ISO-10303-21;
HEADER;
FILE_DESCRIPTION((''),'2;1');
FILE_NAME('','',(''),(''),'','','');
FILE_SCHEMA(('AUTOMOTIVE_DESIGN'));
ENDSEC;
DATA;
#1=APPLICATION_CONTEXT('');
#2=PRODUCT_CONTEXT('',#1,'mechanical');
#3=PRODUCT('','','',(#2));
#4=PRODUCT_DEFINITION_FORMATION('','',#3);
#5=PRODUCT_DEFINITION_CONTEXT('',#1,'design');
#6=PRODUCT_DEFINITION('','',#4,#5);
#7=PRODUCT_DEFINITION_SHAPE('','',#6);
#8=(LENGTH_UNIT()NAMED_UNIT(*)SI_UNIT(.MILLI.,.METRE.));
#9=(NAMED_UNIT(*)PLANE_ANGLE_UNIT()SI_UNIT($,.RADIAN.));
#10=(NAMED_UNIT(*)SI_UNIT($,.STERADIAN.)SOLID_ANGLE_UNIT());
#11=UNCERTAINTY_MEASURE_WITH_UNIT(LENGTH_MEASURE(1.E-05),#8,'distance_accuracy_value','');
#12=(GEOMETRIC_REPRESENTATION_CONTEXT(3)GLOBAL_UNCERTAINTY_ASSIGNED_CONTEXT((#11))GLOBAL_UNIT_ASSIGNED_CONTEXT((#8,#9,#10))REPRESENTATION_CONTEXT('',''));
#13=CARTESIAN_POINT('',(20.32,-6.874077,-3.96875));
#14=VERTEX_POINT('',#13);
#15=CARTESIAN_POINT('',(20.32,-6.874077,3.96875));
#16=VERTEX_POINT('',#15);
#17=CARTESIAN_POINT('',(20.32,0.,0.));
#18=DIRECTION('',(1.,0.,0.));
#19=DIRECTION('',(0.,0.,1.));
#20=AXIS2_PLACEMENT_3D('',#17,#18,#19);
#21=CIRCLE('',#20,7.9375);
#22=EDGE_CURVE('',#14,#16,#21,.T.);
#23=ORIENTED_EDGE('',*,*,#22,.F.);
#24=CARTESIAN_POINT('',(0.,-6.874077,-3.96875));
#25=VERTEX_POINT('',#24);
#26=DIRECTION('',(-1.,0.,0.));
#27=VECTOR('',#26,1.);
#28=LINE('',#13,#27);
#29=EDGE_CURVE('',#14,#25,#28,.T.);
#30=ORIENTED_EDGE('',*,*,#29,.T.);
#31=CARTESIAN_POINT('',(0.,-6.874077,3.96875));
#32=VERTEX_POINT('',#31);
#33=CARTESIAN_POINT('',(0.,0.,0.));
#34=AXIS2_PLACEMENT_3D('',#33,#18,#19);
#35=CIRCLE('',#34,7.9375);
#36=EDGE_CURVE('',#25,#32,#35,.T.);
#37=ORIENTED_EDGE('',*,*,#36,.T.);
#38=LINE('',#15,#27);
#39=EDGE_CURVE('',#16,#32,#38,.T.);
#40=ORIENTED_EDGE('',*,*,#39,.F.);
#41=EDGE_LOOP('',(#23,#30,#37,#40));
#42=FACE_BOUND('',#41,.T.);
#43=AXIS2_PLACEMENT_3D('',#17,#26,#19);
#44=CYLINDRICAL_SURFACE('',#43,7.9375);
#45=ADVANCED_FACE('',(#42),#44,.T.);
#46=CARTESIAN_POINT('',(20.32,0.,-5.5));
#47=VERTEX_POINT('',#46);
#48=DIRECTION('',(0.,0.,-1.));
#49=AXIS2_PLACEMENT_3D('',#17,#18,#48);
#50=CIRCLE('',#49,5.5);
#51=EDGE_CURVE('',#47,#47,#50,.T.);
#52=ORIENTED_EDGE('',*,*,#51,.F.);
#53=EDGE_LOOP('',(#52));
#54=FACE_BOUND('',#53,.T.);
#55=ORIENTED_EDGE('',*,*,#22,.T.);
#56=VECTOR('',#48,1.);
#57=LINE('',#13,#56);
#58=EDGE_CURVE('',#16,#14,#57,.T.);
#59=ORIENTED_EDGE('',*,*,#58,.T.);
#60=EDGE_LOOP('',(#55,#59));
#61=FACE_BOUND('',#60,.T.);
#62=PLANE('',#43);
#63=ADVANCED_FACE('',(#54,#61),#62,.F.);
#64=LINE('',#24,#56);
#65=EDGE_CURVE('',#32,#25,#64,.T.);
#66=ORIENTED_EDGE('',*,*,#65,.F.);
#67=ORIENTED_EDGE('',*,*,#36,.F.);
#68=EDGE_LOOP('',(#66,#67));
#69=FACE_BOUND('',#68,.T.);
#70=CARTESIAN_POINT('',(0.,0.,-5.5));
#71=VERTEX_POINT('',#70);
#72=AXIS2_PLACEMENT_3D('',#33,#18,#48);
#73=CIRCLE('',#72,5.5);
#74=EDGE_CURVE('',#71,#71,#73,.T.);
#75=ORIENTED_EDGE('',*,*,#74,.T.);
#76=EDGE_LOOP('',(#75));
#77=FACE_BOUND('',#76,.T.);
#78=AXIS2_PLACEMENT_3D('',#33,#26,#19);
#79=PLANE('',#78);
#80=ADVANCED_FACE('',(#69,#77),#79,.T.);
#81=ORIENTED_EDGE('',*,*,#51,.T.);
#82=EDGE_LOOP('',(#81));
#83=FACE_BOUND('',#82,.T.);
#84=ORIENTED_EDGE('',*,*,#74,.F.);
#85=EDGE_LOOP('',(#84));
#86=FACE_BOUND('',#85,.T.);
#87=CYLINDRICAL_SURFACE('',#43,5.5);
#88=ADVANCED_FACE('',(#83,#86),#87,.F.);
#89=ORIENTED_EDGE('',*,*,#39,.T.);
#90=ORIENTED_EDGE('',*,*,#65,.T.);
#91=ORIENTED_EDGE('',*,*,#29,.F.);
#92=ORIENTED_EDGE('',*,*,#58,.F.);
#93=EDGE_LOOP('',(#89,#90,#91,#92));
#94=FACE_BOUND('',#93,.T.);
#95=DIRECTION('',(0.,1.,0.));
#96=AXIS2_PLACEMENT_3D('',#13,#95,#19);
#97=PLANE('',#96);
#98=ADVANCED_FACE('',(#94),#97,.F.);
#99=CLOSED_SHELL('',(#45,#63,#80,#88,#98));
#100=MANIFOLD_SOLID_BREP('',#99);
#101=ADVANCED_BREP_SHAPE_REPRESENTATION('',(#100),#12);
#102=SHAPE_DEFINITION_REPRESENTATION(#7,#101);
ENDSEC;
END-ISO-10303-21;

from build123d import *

# Parameters (mm, degrees)
SKETCH1_R           = 5.500000049
BOSS_EXTRUDE1_DEPTH = 20.32


with BuildPart() as part:
    # Sketch1 → Boss-Extrude1 (new body)
    with BuildSketch(Plane.YZ):
        with BuildLine():
            Line((-6.874076643, -3.96875), (-6.874076643, 3.96875))
            ThreePointArc((-6.874076643, 3.96875), (7.9375, 0), (-6.874076643, -3.96875))
        make_face()
        with Locations(Location((0, 0, 0), (0, 0, 270))):
            Circle(SKETCH1_R, mode=Mode.SUBTRACT)
    extrude(amount=BOSS_EXTRUDE1_DEPTH)


solid = part.part
